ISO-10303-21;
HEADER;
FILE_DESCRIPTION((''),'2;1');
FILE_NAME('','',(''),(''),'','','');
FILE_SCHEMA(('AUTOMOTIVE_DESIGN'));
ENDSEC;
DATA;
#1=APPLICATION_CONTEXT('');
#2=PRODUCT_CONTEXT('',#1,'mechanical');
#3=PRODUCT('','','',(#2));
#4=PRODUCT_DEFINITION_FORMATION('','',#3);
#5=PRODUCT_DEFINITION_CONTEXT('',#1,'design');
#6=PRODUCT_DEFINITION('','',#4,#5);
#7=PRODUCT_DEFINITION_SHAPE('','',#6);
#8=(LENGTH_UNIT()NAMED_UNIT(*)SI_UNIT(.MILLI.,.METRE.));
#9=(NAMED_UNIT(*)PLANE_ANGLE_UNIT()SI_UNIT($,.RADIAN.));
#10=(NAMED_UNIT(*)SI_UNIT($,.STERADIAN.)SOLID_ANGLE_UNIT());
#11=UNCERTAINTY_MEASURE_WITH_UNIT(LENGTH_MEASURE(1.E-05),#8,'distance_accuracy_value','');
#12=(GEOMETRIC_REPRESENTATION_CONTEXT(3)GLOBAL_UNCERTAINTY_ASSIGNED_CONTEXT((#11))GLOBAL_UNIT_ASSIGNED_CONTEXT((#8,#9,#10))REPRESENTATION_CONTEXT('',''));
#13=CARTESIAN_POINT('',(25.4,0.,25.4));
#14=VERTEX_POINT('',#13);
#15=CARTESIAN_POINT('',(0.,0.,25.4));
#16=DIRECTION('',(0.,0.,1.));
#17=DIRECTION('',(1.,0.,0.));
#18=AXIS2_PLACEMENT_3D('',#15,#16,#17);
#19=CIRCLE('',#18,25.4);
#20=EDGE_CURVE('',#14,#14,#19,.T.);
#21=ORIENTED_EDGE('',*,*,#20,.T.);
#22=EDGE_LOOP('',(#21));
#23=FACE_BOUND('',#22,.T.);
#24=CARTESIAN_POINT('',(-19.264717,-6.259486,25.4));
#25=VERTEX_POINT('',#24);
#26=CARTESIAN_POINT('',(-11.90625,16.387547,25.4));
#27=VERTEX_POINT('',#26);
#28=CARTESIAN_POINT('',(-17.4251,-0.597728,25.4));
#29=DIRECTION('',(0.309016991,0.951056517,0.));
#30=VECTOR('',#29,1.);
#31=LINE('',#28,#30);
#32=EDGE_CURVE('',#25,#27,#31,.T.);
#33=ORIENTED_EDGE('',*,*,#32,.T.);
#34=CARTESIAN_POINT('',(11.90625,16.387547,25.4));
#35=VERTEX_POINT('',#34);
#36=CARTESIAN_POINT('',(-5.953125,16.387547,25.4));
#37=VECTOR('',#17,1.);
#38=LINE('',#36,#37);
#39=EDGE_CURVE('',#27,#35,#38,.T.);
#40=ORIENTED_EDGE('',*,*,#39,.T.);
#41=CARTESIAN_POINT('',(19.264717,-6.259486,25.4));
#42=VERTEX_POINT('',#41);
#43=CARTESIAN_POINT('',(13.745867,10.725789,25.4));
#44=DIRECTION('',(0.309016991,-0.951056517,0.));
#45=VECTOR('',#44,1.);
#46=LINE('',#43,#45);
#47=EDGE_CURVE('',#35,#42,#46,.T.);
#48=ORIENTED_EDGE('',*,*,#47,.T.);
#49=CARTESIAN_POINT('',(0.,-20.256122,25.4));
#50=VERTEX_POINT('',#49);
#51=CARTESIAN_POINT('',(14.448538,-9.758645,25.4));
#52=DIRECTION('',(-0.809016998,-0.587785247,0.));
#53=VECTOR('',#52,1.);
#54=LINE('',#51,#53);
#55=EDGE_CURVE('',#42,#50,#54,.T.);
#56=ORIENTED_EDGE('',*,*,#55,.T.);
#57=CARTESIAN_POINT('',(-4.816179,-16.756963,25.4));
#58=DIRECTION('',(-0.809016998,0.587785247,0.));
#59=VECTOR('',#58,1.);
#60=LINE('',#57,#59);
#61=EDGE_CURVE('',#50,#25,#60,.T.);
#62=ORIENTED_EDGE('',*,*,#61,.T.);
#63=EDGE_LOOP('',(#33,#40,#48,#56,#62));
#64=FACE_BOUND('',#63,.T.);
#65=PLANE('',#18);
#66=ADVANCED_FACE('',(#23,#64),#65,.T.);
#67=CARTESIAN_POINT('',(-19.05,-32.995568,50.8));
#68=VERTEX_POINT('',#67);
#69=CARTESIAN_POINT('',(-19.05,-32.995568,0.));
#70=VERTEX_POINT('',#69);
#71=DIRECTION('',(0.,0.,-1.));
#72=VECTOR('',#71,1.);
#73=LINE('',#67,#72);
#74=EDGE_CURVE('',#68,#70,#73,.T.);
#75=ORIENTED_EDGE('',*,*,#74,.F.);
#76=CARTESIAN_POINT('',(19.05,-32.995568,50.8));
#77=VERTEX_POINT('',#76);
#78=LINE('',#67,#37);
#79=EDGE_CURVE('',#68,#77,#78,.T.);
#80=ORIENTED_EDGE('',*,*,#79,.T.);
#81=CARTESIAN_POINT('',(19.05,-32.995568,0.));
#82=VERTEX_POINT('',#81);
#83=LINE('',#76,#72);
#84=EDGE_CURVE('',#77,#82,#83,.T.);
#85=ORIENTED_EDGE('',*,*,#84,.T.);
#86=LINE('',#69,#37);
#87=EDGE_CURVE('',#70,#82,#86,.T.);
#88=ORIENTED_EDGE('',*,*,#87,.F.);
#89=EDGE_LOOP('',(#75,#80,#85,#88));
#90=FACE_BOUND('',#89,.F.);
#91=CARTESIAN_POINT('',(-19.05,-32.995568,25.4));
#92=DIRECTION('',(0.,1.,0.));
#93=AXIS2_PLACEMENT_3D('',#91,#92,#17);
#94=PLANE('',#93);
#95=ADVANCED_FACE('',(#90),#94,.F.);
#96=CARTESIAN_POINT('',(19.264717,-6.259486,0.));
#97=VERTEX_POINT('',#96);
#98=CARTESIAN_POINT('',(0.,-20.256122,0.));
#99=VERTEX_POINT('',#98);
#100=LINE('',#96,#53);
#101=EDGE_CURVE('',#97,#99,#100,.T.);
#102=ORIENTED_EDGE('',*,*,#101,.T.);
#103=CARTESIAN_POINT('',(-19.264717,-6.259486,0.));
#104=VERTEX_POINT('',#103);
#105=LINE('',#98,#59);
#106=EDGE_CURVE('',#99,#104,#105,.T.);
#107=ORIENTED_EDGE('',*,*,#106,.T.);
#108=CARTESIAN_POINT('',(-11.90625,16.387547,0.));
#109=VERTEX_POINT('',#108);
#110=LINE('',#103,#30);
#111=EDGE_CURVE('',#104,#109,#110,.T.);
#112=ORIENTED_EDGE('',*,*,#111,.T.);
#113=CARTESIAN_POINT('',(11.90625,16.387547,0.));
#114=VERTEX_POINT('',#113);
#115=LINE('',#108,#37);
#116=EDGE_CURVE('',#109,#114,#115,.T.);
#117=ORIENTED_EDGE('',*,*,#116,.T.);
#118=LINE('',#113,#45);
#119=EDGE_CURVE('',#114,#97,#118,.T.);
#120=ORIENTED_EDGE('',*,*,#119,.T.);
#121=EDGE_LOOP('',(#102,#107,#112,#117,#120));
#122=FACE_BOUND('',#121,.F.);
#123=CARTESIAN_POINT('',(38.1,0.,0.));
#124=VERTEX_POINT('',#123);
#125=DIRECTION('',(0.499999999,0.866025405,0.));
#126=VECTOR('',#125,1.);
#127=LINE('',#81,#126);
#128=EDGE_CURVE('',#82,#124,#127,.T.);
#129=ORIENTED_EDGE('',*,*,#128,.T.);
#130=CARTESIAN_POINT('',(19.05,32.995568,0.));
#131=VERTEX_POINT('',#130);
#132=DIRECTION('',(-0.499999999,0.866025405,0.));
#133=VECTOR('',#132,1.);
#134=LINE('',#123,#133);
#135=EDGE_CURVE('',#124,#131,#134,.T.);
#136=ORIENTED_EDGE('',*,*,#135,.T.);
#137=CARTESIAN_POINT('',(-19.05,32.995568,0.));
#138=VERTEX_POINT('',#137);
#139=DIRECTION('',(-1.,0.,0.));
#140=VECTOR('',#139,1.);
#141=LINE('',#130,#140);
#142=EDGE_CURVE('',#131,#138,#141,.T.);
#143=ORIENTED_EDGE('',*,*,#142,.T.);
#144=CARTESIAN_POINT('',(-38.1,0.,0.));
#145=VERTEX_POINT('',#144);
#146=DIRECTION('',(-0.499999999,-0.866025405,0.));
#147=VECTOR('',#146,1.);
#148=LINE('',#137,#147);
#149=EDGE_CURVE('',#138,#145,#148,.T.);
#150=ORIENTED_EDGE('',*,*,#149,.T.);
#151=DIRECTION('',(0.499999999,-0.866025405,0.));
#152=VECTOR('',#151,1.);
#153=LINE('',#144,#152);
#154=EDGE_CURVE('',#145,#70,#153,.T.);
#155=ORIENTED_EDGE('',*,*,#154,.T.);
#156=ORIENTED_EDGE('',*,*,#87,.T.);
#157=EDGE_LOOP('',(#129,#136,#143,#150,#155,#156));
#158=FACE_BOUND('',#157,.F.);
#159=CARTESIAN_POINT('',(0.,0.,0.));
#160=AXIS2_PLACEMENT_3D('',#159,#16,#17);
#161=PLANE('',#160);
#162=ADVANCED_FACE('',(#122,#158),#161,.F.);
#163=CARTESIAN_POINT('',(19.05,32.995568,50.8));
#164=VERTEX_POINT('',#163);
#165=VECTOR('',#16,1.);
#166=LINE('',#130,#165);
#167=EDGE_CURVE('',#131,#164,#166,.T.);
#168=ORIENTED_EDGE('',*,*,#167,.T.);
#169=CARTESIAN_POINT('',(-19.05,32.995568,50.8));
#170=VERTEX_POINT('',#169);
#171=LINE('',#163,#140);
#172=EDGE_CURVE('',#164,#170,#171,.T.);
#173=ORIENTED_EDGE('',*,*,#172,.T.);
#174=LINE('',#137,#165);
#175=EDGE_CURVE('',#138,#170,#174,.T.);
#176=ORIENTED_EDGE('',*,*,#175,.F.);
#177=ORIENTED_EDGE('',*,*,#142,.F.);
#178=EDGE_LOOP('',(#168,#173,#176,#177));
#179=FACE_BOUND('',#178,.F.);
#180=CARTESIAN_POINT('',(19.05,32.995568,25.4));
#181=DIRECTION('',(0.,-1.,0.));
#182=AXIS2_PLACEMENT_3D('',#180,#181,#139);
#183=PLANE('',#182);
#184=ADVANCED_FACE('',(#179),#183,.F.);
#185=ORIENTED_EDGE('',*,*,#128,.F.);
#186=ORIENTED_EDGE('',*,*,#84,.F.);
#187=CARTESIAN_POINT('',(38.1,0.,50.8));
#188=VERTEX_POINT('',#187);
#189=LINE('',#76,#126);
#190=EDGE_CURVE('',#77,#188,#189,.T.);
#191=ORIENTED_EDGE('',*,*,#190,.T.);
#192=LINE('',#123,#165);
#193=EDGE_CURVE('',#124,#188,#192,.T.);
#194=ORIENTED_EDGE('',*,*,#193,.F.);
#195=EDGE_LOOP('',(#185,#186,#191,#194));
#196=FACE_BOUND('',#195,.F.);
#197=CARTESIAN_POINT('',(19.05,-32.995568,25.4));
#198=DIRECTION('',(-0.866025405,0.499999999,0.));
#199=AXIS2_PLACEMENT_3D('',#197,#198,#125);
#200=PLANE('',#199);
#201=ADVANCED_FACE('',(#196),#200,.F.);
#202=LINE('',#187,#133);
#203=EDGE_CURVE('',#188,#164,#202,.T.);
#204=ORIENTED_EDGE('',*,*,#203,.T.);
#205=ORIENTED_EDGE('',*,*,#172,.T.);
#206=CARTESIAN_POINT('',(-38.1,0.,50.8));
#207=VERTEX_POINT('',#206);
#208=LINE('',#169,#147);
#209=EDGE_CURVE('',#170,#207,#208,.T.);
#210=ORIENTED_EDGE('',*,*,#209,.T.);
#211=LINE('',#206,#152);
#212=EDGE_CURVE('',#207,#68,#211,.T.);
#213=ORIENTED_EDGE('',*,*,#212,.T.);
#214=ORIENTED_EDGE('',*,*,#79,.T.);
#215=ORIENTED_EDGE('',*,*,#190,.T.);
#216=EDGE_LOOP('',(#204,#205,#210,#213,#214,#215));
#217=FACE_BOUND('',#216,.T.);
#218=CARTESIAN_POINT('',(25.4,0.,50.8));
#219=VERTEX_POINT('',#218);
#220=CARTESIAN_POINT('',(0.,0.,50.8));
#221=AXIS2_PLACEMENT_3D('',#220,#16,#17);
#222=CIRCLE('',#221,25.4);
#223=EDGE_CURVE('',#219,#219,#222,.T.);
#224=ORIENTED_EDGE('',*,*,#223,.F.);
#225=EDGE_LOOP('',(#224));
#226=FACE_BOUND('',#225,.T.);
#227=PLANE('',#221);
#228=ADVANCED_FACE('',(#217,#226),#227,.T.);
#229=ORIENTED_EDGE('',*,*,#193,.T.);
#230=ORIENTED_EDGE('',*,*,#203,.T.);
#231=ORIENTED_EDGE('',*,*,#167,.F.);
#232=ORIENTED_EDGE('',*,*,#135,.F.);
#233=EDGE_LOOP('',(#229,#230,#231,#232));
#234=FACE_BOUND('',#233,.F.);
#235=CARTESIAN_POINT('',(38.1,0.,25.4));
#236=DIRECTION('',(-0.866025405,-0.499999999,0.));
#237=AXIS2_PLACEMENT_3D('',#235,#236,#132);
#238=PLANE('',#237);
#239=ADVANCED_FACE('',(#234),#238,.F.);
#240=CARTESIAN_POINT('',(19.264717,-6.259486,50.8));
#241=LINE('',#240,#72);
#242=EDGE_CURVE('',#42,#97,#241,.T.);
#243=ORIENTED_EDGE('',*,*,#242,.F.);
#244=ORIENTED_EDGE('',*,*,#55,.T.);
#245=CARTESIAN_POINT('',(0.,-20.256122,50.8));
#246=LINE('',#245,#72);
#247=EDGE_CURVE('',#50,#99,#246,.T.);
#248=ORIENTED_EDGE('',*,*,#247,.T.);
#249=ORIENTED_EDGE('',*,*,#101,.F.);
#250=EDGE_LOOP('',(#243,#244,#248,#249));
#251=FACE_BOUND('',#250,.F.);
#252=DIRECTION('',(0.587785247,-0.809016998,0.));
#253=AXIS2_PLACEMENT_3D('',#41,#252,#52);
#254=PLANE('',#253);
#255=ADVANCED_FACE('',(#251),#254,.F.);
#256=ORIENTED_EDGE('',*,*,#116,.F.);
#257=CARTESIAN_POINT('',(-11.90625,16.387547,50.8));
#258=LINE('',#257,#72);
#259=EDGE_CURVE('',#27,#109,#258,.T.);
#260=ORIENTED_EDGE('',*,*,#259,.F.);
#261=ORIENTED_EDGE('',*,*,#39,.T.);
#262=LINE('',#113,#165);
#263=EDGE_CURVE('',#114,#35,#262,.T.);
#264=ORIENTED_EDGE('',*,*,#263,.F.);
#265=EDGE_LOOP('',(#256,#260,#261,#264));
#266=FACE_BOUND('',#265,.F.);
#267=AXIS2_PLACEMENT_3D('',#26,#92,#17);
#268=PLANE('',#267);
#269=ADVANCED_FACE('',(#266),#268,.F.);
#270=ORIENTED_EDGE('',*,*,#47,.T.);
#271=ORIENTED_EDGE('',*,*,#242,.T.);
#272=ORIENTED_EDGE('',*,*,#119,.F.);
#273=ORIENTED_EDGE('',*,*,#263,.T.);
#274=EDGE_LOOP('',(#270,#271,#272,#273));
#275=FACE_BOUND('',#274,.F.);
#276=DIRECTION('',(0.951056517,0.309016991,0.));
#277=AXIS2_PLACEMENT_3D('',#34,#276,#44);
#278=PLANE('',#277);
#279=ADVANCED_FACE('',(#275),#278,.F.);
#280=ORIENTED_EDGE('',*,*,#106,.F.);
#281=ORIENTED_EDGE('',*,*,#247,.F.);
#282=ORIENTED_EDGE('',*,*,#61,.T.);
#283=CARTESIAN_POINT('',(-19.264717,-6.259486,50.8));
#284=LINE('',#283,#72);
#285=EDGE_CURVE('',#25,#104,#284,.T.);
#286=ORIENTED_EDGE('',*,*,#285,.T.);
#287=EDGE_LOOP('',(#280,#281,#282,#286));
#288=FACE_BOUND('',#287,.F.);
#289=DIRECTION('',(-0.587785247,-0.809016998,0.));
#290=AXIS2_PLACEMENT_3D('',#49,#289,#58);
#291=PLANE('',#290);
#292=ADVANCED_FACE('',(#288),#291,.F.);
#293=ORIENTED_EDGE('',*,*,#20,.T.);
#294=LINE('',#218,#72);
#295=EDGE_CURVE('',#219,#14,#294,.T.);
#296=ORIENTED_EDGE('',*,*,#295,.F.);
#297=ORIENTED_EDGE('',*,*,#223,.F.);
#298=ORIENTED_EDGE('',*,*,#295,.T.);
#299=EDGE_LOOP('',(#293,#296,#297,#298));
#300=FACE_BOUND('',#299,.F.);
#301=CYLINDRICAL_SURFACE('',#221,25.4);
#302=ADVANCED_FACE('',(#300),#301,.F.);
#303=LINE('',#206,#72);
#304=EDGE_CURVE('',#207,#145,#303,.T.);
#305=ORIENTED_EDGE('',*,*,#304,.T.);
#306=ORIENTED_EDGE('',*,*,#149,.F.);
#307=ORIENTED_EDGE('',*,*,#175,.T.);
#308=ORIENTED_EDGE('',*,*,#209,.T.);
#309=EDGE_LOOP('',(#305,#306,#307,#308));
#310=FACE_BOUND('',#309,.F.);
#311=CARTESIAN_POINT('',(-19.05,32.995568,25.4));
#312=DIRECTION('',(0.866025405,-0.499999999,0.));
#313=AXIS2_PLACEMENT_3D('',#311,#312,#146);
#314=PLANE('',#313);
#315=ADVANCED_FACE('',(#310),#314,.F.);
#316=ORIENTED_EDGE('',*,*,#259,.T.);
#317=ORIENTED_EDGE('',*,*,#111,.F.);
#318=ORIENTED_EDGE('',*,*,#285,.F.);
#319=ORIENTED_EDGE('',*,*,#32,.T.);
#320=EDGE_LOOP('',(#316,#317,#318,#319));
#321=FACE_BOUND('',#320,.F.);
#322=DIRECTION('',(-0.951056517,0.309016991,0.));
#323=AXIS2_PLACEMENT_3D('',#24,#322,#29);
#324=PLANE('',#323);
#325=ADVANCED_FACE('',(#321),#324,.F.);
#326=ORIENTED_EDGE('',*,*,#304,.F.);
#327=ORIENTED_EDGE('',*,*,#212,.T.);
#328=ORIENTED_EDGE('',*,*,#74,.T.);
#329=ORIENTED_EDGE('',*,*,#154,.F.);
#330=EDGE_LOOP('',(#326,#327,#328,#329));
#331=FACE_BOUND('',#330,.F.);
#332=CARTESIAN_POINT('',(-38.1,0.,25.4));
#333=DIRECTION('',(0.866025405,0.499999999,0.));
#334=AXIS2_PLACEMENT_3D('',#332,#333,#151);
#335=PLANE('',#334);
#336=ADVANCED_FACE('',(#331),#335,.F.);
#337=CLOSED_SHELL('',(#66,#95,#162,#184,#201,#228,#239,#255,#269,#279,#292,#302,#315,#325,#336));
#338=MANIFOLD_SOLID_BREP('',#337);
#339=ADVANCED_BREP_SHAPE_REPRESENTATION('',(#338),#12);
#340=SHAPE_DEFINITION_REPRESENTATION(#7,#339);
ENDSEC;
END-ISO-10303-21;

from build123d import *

# Parameters (mm, degrees)
F1_DEPTH = 25.4
F3_DEPTH = 25.4
F4_R     = 25.4
F5_DEPTH = 25.4


with BuildPart() as f1:
    # F0 (on Top) → F1 (new body)
    with BuildSketch(Plane.XY):
        Polygon((19.05, 32.995568), (-19.05, 32.995568), (-38.1, 0), (-19.05, -32.995568), (19.05, -32.995568), (38.1, 0), align=None)
        Polygon((-19.264717, -6.259486), (-11.90625, 16.387547), (11.90625, 16.387547), (19.264717, -6.259486), (0, -20.256122), align=None, mode=Mode.SUBTRACT)
    extrude(amount=F1_DEPTH)

    # F2 (on face) → F3 (join)
    with BuildSketch(Plane.XY.offset(25.4)):
        Polygon((0, -20.256122), (19.264717, -6.259486), (11.90625, 16.387547), (-11.90625, 16.387547), (-19.264717, -6.259486), align=None)
        Polygon((19.05, -32.995568), (38.1, 0), (19.05, 32.995568), (-19.05, 32.995568), (-38.1, 0), (-19.05, -32.995568), align=None)
        Polygon((11.90625, 16.387547), (19.264717, -6.259486), (0, -20.256122), (-19.264717, -6.259486), (-11.90625, 16.387547), align=None, mode=Mode.SUBTRACT)
    extrude(amount=F3_DEPTH)

    # F4 (on face) → F5 (cut)
    with BuildSketch(Plane.XY.offset(50.8)):
        Circle(F4_R)
    extrude(amount=-F5_DEPTH, mode=Mode.SUBTRACT)


solid = f1.part
